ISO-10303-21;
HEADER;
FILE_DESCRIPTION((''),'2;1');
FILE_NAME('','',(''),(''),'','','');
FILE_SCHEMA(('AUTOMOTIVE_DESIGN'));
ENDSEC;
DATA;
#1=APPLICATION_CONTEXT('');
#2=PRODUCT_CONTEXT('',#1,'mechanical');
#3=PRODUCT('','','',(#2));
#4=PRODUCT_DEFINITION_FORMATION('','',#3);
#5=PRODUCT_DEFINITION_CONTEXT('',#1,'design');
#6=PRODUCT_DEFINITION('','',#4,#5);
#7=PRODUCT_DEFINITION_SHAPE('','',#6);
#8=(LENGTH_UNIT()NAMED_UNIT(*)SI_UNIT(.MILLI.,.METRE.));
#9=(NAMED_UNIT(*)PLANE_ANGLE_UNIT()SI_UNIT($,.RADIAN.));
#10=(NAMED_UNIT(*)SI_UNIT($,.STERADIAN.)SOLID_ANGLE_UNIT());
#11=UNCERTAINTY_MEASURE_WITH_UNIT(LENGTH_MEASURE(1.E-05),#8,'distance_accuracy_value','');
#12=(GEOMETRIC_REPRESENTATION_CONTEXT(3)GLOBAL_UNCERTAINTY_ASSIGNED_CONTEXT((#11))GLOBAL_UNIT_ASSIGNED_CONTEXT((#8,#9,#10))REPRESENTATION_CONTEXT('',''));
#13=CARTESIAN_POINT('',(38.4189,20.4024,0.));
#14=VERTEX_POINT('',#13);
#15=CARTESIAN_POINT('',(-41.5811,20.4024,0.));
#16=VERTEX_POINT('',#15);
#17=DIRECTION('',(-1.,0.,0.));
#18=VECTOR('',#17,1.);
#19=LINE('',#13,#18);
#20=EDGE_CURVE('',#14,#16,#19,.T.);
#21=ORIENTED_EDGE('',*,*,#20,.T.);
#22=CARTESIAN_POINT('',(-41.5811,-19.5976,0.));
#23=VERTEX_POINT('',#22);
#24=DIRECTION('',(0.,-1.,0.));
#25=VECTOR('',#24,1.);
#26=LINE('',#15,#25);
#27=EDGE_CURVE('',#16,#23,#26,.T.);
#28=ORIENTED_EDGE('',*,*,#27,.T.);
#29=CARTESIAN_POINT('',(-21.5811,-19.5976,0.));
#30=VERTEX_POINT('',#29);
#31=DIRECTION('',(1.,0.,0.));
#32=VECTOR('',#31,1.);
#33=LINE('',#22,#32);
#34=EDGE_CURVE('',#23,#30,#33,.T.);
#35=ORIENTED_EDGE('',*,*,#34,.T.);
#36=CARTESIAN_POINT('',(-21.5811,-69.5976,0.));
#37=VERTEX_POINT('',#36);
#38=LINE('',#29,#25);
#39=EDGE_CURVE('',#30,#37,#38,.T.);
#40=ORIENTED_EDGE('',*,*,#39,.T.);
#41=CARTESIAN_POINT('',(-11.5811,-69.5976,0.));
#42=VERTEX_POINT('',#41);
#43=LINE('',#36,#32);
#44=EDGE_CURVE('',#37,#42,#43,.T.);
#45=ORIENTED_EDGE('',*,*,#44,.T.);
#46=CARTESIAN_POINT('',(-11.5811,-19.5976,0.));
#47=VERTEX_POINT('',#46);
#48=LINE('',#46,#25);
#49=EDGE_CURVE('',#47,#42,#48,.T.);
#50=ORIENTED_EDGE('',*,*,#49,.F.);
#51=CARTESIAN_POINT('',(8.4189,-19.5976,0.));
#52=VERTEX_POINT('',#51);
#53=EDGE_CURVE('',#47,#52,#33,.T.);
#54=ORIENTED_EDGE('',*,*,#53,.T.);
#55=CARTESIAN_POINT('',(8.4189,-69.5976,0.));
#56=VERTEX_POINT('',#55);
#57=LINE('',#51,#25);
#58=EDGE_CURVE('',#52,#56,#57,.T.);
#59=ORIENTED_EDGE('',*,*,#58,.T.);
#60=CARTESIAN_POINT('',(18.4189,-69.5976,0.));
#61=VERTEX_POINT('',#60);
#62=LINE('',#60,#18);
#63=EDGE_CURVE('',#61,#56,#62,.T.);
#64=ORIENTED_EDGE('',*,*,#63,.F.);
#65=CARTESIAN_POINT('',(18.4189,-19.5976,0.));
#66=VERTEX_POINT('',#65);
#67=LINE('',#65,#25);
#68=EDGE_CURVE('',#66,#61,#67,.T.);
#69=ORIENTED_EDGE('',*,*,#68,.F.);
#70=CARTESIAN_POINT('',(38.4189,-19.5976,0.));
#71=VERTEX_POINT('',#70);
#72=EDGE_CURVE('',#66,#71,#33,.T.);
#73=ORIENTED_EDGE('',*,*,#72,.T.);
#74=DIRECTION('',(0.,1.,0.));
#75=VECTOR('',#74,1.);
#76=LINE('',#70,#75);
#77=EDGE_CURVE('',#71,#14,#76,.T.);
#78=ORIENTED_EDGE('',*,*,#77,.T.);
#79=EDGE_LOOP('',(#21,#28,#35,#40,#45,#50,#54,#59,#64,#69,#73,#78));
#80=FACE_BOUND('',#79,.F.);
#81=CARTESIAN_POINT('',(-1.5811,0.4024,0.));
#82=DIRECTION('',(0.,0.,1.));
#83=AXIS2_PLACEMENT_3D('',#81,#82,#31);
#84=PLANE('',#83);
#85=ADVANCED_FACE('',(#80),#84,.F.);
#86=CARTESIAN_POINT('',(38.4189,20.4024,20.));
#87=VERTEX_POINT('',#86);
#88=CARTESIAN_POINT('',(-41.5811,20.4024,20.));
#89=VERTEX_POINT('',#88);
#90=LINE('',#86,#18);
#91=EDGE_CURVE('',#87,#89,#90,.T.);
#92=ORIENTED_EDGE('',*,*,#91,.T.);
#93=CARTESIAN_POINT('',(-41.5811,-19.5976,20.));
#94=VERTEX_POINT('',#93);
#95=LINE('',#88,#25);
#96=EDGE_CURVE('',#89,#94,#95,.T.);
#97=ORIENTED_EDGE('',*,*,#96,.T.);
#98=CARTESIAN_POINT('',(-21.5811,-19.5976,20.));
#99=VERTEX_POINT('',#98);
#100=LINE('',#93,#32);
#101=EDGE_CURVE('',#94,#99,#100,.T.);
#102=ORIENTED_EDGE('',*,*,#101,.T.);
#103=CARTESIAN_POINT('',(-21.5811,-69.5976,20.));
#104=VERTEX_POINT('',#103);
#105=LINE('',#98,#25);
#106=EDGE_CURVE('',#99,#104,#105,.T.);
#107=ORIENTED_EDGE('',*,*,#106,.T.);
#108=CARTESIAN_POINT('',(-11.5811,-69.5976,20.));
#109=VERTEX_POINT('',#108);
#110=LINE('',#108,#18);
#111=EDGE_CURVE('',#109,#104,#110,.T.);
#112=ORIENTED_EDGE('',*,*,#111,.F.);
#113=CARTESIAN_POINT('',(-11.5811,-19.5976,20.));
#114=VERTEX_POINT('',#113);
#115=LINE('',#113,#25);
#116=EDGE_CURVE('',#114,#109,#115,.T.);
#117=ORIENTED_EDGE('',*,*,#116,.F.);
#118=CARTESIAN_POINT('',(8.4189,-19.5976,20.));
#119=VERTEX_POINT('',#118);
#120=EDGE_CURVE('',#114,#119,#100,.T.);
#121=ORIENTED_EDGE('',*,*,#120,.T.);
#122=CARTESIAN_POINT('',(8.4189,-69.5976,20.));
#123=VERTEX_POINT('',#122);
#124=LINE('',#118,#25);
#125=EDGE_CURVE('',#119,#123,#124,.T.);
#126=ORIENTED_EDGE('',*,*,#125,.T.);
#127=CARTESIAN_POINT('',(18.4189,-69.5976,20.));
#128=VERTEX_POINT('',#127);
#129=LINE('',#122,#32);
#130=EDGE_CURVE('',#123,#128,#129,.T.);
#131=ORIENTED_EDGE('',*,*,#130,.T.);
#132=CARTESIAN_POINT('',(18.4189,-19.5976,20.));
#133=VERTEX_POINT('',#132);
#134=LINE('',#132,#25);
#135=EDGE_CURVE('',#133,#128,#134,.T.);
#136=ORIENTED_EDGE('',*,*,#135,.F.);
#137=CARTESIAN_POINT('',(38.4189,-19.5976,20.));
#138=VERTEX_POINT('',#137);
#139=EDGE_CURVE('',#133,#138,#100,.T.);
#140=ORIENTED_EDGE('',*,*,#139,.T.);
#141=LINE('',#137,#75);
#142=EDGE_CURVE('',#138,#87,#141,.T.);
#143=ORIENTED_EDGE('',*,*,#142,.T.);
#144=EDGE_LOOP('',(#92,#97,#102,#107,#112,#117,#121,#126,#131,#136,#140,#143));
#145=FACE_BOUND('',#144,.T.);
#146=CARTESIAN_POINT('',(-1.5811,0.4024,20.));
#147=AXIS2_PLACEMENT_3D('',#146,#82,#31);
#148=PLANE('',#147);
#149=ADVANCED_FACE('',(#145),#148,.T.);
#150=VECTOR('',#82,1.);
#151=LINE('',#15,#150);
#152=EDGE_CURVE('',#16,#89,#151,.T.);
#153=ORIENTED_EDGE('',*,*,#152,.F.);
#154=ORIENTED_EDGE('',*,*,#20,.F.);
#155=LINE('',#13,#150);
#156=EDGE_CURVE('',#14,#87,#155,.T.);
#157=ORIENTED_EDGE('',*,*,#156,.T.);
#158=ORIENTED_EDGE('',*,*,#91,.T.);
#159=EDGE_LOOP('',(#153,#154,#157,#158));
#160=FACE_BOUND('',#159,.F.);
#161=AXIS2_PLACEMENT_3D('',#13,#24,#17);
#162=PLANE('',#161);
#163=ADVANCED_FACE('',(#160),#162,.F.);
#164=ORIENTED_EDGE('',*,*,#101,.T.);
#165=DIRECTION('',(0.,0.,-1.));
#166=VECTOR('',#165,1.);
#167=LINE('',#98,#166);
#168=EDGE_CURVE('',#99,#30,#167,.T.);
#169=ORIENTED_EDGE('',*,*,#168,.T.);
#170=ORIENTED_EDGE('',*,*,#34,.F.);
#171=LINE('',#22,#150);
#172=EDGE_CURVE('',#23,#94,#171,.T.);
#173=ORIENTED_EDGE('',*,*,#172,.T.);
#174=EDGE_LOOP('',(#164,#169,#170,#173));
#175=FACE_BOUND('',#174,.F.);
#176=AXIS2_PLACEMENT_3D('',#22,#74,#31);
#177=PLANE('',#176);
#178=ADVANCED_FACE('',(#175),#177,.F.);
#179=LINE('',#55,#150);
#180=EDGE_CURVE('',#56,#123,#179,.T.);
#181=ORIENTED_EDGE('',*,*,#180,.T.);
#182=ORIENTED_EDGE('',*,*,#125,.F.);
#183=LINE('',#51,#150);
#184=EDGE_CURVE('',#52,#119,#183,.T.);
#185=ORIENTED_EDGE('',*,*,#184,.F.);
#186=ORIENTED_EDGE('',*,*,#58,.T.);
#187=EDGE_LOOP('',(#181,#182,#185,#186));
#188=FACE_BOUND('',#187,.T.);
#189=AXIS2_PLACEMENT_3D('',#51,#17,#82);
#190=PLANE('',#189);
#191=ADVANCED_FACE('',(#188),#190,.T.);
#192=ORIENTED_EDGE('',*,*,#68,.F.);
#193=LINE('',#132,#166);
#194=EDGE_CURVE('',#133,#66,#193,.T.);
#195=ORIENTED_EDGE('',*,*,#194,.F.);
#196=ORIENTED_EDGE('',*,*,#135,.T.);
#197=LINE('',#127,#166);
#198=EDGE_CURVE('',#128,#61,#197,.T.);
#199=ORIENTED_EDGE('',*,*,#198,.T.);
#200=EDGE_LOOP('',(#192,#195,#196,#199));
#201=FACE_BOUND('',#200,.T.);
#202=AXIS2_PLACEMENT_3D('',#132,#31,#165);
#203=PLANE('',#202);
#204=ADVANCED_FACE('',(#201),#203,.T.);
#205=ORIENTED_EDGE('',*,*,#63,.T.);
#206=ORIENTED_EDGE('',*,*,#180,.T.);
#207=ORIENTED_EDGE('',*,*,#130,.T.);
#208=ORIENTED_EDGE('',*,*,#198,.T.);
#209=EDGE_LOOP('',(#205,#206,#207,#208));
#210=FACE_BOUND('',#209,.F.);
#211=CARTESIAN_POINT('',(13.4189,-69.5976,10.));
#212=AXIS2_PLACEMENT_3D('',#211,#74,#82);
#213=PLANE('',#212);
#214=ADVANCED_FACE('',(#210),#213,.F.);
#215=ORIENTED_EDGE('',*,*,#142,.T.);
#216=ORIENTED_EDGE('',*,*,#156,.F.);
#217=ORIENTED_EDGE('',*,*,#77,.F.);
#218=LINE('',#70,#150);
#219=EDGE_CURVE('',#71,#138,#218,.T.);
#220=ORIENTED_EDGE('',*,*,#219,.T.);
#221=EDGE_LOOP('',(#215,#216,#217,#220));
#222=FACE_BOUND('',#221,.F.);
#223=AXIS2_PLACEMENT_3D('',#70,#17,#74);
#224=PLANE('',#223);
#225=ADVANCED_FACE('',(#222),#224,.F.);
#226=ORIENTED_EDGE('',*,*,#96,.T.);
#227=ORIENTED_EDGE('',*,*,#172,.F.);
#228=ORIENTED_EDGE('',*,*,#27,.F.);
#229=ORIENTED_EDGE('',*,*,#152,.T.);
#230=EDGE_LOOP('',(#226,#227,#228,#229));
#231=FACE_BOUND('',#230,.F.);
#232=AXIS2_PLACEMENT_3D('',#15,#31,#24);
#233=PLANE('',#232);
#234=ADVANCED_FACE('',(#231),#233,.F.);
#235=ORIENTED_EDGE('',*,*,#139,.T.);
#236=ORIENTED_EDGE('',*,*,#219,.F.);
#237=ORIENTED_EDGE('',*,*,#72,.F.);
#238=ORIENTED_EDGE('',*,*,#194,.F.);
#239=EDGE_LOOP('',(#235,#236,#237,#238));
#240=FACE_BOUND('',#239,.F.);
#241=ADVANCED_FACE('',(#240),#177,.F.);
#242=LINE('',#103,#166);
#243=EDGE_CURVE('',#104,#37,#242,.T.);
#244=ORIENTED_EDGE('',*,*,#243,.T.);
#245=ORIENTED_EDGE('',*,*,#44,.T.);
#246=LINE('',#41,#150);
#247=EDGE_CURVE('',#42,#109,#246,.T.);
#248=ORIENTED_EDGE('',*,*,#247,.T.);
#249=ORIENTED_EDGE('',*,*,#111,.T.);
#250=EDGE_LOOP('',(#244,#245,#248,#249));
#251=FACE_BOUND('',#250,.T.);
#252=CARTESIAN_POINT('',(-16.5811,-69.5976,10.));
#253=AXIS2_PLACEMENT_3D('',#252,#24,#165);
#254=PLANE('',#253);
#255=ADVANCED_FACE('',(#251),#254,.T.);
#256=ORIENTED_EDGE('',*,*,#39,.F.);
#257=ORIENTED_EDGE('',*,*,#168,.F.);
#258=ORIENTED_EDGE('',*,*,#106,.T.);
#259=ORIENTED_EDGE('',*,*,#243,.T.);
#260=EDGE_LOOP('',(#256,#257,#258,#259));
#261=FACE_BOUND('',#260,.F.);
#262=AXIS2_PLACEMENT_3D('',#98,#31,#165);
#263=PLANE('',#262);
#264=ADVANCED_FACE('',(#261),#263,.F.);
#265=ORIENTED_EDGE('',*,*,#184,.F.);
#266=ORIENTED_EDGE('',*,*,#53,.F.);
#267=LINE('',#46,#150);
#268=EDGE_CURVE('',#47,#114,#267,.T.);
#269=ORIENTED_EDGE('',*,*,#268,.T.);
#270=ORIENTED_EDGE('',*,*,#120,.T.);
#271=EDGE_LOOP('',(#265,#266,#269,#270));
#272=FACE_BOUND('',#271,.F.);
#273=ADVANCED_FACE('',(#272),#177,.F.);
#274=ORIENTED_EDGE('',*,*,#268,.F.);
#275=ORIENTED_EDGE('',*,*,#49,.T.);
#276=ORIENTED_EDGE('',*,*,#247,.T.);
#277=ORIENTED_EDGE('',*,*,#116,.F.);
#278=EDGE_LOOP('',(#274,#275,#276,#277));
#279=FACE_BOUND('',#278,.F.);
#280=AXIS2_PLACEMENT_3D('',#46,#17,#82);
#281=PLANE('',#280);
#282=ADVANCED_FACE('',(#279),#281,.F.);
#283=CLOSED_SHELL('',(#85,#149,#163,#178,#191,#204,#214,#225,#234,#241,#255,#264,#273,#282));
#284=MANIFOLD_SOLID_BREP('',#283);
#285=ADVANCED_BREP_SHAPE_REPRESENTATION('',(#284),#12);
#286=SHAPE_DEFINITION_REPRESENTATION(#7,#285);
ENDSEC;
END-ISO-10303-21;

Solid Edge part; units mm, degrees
sketch "Sketch1" plane through (0, 0, 0) normal (0, 0, 1) x (1, 0, 0)
  line L0 (-41.5811, -19.5976) -> (38.4189, -19.5976)
  line L1 (38.4189, -19.5976) -> (38.4189, 20.4024)
  line L2 (38.4189, 20.4024) -> (-41.5811, 20.4024)
  line L3 (-41.5811, 20.4024) -> (-41.5811, -19.5976)
extrude "Protrusion1" add sketch "Sketch1" along normal blind 20
sketch "Sketch2" plane through (-1.5811, -19.5976, 10) normal (0, -1, 0) x (1, 0, 0)
  line L0 (-20, 10) -> (-20, -10)
  line L1 (-20, -10) -> (-10, -10)
  line L2 (-10, -10) -> (-10, 10)
  line L3 (-10, 10) -> (-20, 10)
  line L4 (20, 10) -> (20, -10)
  line L5 (20, -10) -> (10, -10)
  line L6 (10, -10) -> (10, 10)
  line L7 (10, 10) -> (20, 10)
extrude "ExtrudedProtrusion_2" add sketch "Sketch2" along normal blind 50
